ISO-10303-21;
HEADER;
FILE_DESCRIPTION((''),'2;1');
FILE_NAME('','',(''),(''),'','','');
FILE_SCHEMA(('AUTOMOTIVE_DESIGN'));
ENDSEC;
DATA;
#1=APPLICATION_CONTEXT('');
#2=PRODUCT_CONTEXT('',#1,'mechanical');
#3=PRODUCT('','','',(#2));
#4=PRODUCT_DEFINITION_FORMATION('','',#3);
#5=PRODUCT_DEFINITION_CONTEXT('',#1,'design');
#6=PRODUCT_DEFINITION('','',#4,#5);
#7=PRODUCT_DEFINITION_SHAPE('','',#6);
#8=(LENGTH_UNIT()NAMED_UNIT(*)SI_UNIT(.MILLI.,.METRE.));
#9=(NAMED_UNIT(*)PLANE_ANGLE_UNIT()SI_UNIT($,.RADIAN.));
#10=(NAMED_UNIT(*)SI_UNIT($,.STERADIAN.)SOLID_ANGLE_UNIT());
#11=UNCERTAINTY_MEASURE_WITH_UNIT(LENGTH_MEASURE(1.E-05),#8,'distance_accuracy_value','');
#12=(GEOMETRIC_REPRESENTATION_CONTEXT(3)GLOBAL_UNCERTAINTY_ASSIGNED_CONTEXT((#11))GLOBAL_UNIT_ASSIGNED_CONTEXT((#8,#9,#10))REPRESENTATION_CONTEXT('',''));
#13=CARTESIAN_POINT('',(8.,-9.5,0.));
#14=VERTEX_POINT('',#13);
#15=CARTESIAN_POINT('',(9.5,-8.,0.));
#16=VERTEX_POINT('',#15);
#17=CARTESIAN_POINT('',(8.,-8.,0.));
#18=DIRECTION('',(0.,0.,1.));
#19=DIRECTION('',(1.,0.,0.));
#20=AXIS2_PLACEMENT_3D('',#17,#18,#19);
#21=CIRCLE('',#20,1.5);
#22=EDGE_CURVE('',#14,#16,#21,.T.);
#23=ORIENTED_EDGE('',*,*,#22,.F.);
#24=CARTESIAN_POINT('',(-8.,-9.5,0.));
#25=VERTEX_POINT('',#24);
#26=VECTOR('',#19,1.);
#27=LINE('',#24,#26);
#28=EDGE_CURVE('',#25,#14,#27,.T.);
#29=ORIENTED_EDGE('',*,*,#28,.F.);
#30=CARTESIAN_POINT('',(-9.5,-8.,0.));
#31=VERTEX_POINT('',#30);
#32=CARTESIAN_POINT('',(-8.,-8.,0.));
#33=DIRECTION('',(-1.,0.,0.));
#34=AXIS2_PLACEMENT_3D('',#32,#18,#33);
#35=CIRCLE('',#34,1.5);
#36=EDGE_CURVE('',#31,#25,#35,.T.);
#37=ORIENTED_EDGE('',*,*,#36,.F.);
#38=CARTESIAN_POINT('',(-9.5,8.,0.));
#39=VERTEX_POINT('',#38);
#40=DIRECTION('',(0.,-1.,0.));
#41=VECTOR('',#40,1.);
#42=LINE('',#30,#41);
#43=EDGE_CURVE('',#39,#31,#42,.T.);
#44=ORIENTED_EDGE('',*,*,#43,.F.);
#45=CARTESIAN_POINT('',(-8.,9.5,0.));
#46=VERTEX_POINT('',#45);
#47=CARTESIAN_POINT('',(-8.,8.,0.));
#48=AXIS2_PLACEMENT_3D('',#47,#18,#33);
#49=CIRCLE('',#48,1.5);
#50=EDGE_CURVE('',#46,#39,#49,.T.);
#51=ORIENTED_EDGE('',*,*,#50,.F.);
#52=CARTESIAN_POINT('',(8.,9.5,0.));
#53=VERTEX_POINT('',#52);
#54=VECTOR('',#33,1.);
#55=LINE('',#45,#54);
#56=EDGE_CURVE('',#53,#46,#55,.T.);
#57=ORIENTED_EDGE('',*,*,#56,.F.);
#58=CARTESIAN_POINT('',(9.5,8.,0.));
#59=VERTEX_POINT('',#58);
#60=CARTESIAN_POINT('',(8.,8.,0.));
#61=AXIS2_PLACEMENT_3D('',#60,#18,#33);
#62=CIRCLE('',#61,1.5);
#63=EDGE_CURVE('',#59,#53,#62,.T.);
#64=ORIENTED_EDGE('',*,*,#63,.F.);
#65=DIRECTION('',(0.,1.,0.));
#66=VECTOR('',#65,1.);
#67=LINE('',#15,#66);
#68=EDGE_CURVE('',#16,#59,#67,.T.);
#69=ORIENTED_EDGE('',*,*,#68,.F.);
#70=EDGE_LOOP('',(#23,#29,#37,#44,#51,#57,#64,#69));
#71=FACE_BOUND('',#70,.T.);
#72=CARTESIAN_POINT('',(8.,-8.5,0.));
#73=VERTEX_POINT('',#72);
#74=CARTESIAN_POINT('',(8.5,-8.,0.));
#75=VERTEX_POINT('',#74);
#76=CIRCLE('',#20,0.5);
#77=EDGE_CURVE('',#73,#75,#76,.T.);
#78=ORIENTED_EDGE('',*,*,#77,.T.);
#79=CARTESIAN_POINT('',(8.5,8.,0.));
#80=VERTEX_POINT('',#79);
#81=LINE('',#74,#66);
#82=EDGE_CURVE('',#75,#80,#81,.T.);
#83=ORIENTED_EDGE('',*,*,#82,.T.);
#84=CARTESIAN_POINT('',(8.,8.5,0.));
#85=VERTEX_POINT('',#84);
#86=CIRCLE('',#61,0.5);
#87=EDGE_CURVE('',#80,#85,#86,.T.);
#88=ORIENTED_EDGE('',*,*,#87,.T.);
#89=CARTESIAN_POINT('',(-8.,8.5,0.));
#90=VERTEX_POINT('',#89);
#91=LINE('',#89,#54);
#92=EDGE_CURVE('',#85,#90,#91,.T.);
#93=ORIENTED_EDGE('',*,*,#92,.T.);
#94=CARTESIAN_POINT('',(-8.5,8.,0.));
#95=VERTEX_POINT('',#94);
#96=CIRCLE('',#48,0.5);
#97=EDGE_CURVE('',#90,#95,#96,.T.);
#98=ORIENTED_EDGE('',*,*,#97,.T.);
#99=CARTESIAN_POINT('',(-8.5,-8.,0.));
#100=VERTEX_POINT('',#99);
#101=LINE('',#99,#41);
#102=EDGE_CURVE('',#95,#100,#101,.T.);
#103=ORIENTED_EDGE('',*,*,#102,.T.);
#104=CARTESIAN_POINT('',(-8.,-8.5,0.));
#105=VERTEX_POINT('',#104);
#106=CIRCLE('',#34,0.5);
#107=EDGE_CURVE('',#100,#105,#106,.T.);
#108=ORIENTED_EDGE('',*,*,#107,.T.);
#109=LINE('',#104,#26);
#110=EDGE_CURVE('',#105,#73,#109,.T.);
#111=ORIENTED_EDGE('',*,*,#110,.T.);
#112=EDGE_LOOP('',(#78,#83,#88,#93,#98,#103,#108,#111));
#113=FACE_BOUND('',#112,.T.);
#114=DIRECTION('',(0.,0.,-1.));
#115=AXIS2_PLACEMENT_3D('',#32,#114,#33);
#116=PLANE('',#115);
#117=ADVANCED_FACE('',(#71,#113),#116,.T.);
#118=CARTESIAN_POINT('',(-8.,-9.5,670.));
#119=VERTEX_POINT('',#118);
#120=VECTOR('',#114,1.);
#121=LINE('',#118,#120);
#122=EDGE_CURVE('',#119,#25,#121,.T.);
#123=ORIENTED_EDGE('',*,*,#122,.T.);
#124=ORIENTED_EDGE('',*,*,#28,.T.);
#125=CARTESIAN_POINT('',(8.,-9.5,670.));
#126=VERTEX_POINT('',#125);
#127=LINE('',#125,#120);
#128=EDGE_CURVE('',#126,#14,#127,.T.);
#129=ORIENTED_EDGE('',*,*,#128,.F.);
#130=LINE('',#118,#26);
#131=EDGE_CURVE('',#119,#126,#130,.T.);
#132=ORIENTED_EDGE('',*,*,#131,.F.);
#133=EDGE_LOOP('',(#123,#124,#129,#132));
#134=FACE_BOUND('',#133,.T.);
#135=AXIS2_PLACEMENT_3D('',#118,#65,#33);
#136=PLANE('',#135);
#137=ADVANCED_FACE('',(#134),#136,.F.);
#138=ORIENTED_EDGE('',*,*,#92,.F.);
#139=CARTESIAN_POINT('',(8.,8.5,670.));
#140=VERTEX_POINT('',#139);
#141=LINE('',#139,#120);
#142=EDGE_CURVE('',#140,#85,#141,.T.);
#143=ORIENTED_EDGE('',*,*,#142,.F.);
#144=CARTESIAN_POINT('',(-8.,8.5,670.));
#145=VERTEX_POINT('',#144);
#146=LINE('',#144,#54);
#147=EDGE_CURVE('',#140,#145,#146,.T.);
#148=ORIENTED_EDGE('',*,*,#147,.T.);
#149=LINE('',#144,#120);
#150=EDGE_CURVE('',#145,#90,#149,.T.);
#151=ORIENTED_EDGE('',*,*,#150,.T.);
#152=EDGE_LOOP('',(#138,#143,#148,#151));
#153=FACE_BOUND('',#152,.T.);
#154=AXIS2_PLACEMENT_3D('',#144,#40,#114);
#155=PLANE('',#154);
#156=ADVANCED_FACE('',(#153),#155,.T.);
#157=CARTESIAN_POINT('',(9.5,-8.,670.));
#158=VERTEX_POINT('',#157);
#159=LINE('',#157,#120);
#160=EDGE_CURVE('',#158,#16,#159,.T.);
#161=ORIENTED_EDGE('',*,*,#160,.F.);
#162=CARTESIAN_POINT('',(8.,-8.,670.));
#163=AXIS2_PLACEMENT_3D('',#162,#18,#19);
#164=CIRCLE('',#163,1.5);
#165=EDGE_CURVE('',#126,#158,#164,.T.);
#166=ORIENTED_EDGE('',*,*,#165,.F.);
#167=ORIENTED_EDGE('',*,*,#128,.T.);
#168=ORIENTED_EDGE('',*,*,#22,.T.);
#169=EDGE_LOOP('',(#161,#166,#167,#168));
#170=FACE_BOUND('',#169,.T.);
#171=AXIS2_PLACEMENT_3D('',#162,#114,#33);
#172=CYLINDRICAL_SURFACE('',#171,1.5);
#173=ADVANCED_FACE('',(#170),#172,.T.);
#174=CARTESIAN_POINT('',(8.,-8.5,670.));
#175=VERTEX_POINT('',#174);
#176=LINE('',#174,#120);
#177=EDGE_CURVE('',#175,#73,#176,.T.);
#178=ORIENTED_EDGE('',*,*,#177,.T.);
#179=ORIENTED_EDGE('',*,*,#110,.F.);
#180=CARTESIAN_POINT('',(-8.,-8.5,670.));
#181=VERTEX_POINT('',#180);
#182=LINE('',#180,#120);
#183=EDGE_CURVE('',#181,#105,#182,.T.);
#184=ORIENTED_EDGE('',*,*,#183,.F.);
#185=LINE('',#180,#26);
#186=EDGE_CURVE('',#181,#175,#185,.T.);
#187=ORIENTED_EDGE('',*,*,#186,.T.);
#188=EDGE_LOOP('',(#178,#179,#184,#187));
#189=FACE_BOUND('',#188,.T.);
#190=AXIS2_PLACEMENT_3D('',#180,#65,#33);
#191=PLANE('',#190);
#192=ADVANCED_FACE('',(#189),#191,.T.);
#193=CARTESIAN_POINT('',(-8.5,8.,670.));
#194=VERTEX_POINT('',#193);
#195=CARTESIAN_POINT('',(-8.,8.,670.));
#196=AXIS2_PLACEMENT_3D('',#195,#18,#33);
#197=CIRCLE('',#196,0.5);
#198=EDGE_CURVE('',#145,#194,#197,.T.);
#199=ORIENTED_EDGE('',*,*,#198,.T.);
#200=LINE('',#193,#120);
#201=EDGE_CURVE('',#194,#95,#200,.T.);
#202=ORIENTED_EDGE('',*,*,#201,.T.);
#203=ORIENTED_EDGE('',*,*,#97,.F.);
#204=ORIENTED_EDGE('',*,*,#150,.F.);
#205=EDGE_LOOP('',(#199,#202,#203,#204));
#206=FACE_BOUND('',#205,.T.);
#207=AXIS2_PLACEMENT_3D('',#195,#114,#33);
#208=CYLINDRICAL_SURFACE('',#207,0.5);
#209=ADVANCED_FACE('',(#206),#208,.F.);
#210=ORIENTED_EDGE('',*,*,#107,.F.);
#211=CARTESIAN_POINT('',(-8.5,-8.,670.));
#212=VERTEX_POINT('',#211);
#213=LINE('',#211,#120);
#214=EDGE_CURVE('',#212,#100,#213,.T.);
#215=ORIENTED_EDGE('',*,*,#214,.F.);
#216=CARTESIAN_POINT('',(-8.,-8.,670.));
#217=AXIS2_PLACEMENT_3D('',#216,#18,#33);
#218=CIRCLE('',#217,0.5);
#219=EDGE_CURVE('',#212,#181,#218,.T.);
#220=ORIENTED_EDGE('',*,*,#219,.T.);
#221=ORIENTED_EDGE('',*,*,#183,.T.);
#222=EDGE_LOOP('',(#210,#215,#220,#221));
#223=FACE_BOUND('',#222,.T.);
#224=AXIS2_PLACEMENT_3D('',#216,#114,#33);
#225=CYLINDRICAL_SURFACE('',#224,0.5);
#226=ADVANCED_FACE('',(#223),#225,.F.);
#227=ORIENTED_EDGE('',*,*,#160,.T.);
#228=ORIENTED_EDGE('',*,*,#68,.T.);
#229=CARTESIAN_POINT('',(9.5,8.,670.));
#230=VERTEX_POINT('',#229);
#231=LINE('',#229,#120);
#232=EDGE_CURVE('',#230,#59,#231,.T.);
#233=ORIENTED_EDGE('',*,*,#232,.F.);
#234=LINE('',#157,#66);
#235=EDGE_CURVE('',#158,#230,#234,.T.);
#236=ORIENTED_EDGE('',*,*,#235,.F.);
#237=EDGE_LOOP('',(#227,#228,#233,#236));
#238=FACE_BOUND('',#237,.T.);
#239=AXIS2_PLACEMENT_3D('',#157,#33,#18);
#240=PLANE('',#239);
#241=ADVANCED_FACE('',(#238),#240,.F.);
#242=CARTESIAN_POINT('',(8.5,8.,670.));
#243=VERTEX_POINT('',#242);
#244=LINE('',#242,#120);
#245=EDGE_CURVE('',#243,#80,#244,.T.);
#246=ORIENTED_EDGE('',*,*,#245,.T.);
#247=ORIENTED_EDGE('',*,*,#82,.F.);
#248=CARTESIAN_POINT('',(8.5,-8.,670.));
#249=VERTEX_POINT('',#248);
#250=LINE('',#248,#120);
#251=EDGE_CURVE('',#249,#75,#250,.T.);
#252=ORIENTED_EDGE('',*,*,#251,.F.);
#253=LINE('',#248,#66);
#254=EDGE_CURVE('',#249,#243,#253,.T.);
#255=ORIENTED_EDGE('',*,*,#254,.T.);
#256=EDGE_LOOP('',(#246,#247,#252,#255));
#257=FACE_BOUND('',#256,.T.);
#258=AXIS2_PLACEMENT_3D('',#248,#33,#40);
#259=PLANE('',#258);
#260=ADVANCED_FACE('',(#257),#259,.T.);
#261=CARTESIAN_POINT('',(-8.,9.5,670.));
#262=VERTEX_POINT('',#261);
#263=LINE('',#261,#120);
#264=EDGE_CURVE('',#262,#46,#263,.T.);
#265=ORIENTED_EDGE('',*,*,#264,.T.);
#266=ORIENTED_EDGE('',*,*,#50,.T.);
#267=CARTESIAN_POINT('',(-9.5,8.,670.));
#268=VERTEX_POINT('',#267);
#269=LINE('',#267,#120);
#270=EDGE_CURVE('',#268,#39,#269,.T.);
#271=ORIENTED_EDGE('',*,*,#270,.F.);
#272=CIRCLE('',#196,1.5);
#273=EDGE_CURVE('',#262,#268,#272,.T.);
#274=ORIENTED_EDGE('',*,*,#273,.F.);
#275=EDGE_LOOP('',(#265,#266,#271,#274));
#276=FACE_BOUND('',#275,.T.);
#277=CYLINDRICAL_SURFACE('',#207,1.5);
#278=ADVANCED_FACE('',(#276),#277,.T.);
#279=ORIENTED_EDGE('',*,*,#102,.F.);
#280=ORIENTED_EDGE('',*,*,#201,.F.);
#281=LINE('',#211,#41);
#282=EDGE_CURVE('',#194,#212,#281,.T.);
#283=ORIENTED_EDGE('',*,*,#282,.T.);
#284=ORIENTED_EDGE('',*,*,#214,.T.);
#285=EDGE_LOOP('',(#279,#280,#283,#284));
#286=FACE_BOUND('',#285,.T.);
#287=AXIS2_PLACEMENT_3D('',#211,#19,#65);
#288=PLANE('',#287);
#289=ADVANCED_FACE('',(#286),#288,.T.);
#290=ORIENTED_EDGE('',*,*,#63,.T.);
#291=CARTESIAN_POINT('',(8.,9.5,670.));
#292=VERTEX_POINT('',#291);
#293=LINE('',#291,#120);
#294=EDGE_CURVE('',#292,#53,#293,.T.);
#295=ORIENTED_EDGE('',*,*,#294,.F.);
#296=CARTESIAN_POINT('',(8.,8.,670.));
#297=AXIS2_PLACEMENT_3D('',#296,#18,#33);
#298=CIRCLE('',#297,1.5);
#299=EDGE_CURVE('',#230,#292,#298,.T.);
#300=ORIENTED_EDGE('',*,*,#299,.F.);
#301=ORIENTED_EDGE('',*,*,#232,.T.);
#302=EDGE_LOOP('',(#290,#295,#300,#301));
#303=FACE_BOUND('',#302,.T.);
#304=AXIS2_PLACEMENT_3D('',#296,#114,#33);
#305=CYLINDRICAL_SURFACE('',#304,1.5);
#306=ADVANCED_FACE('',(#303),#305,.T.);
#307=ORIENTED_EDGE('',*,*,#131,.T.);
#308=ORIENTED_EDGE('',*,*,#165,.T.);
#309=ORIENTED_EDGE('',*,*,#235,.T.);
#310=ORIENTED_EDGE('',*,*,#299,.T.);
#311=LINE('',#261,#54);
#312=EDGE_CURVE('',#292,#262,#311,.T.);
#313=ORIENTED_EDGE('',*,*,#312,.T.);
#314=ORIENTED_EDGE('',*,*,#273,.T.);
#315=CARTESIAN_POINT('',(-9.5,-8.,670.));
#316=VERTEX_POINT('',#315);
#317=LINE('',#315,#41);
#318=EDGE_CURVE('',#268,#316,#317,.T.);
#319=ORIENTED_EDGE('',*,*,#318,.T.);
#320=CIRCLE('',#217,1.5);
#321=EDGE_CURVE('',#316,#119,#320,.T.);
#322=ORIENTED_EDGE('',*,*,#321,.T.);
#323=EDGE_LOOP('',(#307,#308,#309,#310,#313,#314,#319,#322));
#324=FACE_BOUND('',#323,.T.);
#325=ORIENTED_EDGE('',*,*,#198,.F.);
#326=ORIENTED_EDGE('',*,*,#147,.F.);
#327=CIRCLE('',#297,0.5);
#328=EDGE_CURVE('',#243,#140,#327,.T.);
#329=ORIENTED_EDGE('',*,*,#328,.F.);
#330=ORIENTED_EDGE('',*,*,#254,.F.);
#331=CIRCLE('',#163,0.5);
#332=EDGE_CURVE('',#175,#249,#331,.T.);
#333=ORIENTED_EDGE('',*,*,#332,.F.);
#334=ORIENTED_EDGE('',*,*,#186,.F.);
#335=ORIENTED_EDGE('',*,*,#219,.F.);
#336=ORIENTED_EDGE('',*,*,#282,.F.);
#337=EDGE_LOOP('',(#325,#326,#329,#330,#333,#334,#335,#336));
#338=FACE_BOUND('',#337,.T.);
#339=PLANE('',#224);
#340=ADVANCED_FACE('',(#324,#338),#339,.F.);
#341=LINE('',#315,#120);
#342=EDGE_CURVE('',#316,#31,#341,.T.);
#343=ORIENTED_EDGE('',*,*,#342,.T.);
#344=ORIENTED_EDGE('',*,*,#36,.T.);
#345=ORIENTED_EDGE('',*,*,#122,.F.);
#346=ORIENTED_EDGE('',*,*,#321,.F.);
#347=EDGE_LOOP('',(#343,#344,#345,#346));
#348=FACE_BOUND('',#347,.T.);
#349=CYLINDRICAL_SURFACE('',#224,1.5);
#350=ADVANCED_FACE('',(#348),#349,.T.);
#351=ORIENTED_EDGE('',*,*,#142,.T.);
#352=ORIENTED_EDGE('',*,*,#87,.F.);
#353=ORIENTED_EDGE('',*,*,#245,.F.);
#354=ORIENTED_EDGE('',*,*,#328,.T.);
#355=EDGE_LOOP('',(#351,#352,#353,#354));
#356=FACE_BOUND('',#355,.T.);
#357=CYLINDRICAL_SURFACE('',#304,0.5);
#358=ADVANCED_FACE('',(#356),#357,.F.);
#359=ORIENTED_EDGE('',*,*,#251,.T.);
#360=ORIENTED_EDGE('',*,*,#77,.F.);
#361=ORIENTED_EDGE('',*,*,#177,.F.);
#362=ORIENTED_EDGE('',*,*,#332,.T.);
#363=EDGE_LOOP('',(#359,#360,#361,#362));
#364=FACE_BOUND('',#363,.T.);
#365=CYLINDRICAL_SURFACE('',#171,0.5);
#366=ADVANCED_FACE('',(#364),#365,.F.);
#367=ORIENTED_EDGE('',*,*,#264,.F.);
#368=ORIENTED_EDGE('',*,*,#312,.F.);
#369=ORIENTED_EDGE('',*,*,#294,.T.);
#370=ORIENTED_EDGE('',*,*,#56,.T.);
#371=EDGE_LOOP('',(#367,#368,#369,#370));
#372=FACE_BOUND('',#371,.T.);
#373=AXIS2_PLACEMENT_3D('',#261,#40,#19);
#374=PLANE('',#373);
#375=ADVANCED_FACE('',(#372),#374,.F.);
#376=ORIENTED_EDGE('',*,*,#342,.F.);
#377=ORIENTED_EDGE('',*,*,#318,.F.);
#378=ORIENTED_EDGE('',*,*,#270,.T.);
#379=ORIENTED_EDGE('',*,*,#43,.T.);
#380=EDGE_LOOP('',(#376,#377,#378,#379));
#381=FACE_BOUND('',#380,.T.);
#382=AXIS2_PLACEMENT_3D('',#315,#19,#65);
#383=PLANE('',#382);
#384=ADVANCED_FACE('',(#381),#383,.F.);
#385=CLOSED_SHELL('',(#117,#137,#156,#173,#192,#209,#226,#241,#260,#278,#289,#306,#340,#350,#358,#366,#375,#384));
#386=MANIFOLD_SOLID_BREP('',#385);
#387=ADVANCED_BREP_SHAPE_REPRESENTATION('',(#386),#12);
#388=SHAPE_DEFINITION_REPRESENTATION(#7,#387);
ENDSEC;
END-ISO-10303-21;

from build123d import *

# Parameters (mm, degrees)
BOSS_EXTRUDE1_DEPTH = 670


with BuildPart() as part:
    # Sketch1 → Boss-Extrude1 (new body)
    with BuildSketch(Plane.XY):
        with BuildLine():
            Line((-8, -9.5), (8, -9.5))
            ThreePointArc((8, -9.5), (9.060660172, -9.060660172), (9.5, -8))
            Line((9.5, -8), (9.5, 8))
            ThreePointArc((9.5, 8), (9.060660172, 9.060660172), (8, 9.5))
            Line((8, 9.5), (-8, 9.5))
            ThreePointArc((-8, 9.5), (-9.060660172, 9.060660172), (-9.5, 8))
            Line((-9.5, 8), (-9.5, -8))
            ThreePointArc((-9.5, -8), (-9.060660172, -9.060660172), (-8, -9.5))
        make_face()
        with BuildLine():
            Line((-8, 8.5), (8, 8.5))
            ThreePointArc((8, 8.5), (8.353553391, 8.353553391), (8.5, 8))
            Line((8.5, 8), (8.5, -8))
            ThreePointArc((8.5, -8), (8.353553391, -8.353553391), (8, -8.5))
            Line((8, -8.5), (-8, -8.5))
            ThreePointArc((-8, -8.5), (-8.353553391, -8.353553391), (-8.5, -8))
            Line((-8.5, -8), (-8.5, 8))
            ThreePointArc((-8.5, 8), (-8.353553391, 8.353553391), (-8, 8.5))
        make_face(mode=Mode.SUBTRACT)
    extrude(amount=BOSS_EXTRUDE1_DEPTH)


solid = part.part
